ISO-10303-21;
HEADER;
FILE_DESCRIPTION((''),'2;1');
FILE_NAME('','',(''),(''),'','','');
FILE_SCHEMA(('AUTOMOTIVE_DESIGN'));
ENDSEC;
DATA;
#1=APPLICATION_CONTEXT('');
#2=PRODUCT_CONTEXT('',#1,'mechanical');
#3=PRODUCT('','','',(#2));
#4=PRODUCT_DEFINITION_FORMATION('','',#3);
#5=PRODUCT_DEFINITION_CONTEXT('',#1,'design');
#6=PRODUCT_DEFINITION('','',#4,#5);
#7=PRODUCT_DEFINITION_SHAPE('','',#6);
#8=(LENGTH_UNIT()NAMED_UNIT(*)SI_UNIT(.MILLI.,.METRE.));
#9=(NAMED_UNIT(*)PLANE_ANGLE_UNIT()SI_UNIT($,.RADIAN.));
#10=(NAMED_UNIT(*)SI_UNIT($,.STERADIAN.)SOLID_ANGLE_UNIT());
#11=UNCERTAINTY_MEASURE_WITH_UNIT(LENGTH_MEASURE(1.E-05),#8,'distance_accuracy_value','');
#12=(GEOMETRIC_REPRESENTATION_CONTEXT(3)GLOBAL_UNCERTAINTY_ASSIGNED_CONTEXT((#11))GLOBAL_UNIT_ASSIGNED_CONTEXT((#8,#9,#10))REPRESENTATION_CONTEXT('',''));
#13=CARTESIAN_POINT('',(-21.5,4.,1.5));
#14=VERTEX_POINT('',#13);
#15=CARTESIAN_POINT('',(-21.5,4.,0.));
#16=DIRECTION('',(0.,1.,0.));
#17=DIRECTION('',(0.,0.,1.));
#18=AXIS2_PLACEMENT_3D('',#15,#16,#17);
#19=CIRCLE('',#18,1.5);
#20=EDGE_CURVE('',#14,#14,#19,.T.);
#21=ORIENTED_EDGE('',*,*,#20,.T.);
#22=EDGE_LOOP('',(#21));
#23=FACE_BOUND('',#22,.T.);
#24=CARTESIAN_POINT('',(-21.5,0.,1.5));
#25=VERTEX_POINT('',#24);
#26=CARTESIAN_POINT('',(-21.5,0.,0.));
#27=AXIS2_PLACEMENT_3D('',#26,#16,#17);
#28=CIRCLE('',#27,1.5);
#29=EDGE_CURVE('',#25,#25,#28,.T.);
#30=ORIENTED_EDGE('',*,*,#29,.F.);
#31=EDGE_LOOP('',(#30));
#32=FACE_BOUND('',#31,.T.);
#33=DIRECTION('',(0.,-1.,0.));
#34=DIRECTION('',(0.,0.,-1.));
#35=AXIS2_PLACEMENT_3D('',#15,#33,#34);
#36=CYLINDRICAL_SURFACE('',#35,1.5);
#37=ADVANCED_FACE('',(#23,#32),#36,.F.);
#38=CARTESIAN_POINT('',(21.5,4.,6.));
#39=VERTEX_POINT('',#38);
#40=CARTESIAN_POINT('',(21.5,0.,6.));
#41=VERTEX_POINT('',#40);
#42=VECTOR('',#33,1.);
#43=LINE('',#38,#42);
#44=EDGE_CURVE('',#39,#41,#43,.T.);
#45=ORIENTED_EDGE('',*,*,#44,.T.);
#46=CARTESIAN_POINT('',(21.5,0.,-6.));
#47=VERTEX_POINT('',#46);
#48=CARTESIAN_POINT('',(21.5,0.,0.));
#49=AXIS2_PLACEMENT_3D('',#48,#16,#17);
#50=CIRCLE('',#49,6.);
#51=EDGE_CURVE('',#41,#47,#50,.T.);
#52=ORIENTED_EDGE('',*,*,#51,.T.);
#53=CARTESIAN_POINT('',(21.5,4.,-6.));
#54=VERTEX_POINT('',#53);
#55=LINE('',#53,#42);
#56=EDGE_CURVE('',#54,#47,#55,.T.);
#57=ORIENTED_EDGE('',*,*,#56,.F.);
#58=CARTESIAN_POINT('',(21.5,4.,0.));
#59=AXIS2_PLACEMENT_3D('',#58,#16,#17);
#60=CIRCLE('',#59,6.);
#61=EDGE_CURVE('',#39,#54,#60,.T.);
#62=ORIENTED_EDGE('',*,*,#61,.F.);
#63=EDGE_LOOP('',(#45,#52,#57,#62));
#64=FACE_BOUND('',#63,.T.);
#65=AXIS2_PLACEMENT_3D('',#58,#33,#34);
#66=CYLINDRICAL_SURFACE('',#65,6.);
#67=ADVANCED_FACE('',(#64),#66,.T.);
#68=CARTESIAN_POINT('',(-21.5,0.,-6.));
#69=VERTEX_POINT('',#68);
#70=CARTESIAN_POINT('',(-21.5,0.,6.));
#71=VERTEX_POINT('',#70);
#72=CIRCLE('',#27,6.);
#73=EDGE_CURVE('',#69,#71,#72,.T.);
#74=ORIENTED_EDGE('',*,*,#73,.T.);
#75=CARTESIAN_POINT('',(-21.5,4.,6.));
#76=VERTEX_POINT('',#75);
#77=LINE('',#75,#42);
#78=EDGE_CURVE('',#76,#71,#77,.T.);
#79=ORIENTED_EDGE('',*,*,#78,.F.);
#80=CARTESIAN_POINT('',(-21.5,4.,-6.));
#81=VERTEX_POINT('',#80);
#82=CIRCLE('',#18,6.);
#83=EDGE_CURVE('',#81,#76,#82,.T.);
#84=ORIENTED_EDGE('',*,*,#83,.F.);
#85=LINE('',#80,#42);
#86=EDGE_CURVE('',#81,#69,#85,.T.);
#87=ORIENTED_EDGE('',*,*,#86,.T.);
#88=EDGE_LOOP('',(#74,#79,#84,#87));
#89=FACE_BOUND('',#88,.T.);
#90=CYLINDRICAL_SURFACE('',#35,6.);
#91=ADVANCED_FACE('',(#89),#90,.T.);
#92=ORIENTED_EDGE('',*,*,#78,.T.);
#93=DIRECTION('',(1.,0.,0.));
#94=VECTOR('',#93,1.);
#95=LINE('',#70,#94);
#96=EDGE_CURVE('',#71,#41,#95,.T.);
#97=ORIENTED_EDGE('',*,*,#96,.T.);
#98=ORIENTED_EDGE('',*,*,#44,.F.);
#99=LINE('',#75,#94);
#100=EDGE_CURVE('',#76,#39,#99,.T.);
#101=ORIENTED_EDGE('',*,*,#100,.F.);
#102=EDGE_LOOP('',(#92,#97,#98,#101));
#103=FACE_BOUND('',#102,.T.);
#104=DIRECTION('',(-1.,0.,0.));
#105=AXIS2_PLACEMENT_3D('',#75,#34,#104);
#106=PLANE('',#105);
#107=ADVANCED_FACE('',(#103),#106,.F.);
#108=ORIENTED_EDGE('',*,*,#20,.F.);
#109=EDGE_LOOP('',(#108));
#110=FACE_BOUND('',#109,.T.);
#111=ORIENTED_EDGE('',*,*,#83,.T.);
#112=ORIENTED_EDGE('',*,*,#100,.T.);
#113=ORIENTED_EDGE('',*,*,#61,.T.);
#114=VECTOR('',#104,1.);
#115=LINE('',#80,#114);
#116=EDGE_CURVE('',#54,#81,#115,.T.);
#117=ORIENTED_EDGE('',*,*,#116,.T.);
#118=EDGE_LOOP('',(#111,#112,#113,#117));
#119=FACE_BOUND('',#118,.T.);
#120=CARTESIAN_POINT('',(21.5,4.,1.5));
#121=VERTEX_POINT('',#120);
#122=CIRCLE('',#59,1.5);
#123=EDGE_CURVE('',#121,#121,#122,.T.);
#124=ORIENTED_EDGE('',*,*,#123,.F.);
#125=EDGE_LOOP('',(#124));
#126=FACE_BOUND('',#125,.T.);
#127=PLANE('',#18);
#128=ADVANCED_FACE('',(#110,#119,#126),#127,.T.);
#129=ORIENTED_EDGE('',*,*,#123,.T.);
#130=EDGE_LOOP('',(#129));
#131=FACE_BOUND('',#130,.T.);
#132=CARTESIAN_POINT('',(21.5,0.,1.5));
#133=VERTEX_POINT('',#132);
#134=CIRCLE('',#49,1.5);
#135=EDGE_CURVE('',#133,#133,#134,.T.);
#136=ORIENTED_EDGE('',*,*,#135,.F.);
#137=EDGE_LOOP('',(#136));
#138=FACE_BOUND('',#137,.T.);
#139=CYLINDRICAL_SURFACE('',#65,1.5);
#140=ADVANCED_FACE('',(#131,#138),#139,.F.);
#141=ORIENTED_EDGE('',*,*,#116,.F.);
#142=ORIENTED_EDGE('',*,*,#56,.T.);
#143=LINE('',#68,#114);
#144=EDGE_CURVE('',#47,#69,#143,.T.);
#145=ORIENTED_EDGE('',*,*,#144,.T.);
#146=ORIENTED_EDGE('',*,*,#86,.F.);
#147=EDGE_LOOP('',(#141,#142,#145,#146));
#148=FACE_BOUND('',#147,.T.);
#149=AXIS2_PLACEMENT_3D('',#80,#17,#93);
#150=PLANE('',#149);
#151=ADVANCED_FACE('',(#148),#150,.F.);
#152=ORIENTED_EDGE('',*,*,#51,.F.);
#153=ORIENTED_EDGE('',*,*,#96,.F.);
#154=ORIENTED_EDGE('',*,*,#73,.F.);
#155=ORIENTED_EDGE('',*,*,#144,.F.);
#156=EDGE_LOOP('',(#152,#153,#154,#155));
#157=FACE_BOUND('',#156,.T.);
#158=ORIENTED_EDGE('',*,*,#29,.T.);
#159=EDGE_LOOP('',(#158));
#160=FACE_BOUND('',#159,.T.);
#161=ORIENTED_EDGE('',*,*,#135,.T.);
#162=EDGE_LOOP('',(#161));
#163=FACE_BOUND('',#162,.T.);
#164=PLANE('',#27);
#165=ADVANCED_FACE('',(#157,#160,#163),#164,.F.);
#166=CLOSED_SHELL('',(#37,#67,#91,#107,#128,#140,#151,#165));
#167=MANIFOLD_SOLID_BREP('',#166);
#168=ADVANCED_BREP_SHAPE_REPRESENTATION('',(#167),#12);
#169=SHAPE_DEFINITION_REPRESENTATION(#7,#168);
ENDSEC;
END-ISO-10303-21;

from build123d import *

# Parameters (mm, degrees)
SKETCH1_R           = 1.5
BOSS_EXTRUDE1_DEPTH = 4


with BuildPart() as part:
    # Sketch1 → Boss-Extrude1 (new body)
    with BuildSketch(Plane(origin=(0, 0, 0), x_dir=(1, 0, 0), z_dir=(0, 1, 0))):
        with BuildLine():
            Line((-21.5, 6), (21.5, 6))
            ThreePointArc((21.5, 6), (27.5, 0), (21.5, -6))
            Line((21.5, -6), (-21.5, -6))
            ThreePointArc((-21.5, -6), (-27.5, 0), (-21.5, 6))
        make_face()
        with Locations(Location((-21.5, 0, 0), (0, 0, 270))):
            Circle(SKETCH1_R, mode=Mode.SUBTRACT)
        with Locations(Location((21.5, 0, 0), (0, 0, 270))):
            Circle(SKETCH1_R, mode=Mode.SUBTRACT)
    extrude(amount=BOSS_EXTRUDE1_DEPTH)


solid = part.part
